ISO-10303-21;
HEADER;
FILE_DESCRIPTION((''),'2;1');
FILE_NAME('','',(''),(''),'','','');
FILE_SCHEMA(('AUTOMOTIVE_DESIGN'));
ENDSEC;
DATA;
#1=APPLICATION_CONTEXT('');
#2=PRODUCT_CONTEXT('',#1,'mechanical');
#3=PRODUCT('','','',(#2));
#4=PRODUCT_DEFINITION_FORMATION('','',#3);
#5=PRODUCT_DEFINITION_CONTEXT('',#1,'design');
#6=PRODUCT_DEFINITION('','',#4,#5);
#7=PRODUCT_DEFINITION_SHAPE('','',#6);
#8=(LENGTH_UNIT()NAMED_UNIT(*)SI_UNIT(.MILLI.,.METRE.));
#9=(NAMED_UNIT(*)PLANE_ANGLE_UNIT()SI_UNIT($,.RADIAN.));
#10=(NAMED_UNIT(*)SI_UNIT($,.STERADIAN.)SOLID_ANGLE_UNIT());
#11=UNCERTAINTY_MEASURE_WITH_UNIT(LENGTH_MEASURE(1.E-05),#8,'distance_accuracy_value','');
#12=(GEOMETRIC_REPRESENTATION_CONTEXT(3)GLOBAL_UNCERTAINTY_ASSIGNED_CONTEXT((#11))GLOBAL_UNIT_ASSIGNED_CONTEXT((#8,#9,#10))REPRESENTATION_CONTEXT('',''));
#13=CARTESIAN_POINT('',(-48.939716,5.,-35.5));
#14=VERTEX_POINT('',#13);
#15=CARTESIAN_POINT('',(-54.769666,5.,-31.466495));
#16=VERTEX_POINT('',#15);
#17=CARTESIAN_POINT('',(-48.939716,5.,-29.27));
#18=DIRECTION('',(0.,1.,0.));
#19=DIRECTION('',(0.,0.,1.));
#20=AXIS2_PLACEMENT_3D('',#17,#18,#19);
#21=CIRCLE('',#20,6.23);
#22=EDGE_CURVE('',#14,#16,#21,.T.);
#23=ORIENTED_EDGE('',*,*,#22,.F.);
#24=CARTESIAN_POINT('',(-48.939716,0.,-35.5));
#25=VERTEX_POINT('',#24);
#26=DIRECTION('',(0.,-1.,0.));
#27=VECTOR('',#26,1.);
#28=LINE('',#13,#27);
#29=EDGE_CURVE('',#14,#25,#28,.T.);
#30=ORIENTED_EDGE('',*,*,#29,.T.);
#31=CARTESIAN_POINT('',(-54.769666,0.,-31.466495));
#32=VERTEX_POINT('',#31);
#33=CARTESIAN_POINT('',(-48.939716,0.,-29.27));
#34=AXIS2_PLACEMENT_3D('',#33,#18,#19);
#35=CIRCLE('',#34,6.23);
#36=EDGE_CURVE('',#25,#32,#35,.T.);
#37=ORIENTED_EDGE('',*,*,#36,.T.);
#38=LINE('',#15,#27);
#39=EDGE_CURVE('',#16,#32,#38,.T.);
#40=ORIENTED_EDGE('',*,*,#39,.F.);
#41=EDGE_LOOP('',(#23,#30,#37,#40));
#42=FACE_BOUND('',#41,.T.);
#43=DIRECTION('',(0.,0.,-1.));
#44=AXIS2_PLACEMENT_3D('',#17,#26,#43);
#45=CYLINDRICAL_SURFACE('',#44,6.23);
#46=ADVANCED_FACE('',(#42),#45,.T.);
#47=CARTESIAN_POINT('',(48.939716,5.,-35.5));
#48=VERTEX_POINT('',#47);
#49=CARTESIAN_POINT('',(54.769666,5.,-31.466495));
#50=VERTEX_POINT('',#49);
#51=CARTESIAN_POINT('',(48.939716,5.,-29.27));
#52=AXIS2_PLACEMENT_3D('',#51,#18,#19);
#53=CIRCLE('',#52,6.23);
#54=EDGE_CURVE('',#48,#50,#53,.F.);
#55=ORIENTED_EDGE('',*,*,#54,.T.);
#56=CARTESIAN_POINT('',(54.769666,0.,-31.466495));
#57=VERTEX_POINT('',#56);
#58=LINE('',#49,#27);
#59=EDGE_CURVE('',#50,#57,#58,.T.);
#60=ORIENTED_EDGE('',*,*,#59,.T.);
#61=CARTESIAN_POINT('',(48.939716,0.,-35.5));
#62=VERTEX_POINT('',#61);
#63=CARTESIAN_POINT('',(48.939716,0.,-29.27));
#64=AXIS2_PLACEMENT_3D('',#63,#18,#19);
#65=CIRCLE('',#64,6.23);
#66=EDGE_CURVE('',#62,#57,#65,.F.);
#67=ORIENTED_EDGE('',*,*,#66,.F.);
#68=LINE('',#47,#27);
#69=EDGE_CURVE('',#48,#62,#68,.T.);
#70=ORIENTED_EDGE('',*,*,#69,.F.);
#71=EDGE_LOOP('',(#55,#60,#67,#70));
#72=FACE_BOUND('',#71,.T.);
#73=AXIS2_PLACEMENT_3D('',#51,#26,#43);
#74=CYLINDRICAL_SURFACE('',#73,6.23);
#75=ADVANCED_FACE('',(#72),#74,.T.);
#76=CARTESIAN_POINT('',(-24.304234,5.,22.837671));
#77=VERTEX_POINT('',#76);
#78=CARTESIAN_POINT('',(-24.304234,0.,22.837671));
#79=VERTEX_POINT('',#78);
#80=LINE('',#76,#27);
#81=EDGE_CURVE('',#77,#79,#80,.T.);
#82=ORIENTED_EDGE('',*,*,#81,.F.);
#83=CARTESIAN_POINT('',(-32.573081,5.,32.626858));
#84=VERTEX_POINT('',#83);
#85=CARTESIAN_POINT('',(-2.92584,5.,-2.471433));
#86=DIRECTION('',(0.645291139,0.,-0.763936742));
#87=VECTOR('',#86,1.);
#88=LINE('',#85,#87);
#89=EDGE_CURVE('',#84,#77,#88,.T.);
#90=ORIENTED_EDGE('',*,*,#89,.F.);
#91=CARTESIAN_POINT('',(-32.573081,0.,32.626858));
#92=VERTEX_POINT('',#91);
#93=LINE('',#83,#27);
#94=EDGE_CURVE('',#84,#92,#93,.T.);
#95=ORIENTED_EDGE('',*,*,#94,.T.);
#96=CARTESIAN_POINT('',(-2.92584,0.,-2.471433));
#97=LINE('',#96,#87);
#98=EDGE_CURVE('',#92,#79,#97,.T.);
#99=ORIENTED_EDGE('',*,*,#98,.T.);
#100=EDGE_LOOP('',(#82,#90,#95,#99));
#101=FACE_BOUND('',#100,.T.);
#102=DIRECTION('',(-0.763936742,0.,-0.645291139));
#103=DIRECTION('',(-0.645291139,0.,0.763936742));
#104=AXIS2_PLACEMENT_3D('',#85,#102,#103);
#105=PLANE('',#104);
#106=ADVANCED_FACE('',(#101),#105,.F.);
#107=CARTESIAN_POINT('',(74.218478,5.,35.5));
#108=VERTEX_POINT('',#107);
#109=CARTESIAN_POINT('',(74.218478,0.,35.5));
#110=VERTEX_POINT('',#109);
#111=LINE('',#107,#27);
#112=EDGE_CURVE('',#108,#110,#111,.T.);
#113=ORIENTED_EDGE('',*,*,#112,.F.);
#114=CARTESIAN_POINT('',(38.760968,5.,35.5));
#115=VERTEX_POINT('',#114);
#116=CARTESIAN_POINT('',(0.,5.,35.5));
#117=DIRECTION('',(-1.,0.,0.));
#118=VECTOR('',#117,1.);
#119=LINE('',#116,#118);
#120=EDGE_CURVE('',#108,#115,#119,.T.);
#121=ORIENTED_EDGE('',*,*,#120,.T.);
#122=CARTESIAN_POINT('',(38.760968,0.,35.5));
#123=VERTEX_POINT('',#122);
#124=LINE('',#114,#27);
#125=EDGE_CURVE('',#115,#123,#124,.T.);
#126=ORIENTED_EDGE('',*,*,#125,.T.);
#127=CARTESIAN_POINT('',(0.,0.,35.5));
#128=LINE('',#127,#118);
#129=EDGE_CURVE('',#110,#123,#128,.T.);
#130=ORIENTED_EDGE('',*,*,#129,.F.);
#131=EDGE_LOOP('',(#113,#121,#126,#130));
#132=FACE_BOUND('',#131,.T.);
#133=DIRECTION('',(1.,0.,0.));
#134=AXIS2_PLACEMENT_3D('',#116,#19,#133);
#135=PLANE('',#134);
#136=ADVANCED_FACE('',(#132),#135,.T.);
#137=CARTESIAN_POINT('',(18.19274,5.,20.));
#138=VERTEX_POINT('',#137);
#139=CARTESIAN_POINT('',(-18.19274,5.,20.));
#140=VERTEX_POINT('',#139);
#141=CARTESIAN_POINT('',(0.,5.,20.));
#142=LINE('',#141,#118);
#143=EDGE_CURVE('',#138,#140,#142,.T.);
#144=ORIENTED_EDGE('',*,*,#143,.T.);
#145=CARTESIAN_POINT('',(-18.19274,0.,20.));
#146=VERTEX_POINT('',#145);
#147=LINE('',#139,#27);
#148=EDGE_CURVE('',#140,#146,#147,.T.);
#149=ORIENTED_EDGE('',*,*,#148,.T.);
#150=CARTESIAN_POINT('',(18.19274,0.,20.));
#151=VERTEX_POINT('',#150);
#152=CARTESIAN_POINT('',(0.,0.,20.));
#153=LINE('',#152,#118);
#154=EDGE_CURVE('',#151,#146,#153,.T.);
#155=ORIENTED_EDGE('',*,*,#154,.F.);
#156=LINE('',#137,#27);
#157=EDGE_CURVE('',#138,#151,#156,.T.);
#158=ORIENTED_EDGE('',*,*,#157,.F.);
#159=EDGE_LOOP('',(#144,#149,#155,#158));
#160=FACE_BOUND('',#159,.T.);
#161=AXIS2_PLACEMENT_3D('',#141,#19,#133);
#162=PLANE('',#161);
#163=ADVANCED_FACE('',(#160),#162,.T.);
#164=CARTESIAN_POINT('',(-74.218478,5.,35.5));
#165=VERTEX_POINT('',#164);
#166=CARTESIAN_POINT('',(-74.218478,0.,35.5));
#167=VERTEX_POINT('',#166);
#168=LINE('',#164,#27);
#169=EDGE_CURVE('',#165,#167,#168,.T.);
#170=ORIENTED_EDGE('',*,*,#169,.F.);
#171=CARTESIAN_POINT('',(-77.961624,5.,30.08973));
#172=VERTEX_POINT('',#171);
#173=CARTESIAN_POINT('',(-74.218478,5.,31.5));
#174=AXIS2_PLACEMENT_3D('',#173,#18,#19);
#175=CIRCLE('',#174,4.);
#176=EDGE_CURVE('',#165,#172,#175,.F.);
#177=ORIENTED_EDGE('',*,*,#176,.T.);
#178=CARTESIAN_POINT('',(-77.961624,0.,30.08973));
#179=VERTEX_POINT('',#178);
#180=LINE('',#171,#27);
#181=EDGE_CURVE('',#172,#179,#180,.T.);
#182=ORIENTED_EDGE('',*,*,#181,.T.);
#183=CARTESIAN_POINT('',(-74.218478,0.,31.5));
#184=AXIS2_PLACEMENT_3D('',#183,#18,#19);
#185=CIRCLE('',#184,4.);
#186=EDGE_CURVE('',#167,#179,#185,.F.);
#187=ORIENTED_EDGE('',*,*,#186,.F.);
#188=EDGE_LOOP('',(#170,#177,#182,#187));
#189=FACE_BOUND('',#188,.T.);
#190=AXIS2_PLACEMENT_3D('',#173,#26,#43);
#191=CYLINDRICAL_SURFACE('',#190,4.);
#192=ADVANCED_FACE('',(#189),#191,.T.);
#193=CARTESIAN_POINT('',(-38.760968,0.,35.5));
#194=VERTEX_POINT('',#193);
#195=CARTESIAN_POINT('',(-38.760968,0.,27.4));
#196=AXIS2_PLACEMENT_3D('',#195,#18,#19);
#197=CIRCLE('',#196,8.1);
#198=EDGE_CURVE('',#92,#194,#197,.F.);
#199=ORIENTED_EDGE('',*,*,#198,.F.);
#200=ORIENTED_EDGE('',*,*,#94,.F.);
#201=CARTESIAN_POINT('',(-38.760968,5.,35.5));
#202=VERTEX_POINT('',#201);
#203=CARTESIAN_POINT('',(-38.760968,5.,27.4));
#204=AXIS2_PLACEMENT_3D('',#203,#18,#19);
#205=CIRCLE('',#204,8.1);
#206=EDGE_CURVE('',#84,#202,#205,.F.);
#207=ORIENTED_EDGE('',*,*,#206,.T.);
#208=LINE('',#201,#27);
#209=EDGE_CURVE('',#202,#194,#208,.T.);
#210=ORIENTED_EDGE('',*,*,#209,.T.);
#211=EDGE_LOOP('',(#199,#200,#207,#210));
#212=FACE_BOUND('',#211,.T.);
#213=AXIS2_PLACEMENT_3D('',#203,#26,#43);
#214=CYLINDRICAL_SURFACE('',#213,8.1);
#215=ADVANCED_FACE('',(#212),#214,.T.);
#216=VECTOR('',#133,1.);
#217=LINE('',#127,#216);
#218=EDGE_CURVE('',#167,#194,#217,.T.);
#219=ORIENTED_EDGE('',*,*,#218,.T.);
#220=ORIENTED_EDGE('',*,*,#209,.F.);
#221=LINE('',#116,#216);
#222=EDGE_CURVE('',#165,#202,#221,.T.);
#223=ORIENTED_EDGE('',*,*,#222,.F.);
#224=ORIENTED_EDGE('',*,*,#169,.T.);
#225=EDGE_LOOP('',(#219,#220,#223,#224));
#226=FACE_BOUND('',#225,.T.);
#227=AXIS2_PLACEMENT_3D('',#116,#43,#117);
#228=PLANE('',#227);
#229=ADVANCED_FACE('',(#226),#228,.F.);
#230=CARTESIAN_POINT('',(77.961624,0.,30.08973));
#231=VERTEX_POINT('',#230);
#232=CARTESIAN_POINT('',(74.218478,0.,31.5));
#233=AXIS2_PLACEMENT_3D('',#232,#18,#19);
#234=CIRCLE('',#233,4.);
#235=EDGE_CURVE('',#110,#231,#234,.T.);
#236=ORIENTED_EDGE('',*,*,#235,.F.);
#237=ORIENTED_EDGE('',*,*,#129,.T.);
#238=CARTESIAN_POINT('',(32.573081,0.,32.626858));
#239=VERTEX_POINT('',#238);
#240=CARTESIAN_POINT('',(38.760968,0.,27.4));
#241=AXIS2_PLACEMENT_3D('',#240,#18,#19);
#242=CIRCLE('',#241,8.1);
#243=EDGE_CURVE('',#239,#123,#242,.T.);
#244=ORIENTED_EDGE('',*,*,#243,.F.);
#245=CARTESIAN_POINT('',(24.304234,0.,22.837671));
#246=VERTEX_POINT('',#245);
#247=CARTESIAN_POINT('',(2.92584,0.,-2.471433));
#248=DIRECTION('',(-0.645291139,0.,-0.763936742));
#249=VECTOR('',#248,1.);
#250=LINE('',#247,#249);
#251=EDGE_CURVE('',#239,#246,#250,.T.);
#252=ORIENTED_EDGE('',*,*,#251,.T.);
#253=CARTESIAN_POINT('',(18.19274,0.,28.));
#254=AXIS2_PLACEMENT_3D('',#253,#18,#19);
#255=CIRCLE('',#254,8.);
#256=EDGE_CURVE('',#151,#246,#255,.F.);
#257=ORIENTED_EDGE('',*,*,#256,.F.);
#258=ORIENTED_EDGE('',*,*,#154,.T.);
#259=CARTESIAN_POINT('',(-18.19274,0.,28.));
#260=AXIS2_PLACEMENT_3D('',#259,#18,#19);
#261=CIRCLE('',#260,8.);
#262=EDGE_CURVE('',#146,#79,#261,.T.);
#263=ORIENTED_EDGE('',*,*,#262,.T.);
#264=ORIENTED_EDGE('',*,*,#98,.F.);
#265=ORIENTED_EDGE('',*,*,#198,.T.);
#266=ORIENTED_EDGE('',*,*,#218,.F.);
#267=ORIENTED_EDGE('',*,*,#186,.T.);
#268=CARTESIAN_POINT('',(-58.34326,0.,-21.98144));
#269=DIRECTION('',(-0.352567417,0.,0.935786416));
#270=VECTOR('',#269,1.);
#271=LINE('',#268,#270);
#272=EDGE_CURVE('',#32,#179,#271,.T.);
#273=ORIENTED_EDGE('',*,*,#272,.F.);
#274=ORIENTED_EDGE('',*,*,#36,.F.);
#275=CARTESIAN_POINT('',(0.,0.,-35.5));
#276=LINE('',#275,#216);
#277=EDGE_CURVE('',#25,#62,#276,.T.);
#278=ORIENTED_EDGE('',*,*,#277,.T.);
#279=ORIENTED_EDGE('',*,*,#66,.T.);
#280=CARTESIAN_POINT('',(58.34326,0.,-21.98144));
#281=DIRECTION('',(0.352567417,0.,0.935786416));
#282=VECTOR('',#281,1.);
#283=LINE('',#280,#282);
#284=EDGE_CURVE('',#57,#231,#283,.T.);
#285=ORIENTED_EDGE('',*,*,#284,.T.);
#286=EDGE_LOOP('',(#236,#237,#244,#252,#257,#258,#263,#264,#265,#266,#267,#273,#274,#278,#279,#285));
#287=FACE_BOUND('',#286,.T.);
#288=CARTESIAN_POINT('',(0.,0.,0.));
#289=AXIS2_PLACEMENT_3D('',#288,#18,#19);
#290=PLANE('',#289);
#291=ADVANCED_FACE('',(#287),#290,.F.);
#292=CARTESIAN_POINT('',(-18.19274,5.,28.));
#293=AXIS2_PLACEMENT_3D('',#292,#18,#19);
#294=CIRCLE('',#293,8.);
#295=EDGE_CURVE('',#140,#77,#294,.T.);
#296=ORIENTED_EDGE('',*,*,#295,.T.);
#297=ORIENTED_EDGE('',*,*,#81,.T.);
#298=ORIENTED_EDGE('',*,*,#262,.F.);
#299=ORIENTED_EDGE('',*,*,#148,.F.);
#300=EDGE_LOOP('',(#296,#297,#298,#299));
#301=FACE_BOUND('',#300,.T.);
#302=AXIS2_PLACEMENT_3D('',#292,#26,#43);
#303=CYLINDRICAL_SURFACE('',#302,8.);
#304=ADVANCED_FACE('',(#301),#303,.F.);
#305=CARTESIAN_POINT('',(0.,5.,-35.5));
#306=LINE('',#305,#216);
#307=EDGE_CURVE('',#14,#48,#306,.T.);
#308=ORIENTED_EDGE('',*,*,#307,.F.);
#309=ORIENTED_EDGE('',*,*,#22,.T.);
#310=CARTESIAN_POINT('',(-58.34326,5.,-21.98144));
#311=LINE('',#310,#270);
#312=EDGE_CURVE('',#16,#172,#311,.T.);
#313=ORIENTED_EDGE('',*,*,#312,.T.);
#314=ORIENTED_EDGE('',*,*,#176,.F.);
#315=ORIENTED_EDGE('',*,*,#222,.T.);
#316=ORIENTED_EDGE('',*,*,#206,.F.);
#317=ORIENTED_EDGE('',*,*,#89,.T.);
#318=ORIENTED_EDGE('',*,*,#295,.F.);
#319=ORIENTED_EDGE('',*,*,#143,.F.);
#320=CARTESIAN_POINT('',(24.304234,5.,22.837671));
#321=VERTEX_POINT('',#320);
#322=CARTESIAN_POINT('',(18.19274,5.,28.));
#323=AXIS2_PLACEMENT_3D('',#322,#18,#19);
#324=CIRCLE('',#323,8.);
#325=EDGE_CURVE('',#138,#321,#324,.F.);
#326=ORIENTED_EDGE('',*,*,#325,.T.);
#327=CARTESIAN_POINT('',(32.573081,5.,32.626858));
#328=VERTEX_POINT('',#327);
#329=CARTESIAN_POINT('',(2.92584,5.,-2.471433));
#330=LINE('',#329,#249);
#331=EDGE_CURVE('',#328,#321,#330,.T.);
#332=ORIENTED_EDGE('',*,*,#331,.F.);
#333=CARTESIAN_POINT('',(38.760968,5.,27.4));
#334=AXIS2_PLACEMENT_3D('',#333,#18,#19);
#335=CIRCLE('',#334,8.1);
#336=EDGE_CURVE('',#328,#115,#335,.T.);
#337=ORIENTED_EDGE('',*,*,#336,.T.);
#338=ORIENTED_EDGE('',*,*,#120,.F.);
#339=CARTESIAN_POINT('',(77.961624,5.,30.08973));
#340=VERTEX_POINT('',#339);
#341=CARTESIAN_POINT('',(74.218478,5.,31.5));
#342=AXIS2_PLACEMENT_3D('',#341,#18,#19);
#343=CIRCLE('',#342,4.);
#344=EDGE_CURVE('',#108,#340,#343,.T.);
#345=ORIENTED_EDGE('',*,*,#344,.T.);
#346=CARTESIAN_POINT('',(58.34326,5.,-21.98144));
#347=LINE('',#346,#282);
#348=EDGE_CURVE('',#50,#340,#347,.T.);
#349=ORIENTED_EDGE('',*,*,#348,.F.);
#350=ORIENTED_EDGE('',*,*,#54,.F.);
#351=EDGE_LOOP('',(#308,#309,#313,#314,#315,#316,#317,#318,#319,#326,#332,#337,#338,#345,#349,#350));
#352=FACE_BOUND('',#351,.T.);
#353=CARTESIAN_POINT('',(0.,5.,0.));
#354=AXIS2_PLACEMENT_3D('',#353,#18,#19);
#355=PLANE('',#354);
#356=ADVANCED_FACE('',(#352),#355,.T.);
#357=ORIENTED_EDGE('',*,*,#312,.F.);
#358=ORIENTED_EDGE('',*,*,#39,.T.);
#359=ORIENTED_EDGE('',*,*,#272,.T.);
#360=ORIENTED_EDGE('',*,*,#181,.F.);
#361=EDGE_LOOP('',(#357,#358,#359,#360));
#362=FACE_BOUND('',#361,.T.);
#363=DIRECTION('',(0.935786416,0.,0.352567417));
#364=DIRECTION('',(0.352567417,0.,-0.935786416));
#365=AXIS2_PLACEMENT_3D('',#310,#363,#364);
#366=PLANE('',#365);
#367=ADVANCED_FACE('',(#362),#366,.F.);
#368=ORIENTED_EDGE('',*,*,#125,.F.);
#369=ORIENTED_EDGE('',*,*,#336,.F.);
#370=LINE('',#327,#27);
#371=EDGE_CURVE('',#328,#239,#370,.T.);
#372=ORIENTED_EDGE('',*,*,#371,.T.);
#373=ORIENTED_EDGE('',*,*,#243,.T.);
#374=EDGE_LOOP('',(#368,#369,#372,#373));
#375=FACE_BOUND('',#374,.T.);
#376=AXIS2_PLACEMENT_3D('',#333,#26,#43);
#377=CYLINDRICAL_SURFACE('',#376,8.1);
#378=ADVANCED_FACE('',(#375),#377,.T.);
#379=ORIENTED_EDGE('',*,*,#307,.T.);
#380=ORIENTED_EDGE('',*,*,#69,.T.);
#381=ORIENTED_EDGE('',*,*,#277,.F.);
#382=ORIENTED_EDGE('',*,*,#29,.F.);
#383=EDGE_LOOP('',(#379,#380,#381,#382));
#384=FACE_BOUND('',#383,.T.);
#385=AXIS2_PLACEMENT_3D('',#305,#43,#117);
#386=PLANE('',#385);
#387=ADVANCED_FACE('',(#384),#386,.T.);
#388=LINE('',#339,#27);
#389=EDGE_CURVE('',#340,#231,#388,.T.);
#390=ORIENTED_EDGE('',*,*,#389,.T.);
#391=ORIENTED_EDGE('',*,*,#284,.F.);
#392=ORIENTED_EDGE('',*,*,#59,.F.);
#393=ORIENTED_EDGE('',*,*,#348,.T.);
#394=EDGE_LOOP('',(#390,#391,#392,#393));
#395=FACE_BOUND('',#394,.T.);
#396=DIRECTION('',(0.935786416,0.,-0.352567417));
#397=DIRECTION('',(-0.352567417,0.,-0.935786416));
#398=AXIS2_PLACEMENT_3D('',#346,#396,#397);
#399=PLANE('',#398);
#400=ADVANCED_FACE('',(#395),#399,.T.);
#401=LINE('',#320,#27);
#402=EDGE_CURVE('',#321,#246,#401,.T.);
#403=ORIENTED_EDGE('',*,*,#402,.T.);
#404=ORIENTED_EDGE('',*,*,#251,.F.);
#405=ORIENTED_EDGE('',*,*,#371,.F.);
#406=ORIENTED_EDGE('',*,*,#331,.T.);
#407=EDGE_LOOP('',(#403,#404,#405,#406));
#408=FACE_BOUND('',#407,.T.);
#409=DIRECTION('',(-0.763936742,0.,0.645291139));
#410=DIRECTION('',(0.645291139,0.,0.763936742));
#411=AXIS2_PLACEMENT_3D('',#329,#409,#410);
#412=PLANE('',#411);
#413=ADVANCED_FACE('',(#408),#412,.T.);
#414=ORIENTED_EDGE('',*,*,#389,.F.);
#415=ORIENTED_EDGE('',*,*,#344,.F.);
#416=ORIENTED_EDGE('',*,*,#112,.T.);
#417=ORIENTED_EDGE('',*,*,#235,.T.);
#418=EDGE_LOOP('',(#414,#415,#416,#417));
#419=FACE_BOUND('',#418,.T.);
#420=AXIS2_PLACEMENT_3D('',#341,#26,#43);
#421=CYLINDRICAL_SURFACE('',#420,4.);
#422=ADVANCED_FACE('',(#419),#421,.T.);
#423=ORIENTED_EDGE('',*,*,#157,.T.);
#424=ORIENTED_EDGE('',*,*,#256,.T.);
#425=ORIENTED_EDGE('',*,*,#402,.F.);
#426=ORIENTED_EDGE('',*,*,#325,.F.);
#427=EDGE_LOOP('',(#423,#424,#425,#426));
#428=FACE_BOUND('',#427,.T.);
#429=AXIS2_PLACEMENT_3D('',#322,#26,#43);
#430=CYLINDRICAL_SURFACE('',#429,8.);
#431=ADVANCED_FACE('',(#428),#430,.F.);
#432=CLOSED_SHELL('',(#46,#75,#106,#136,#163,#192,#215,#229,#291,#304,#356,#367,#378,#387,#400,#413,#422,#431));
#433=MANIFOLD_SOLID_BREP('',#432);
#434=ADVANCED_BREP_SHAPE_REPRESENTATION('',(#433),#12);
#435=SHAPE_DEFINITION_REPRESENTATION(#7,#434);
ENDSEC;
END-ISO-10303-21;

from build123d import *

# Parameters (mm, degrees)
BOSS_EXTRUDE1_DEPTH = 5


with BuildPart() as part:
    # Sketch1 → Boss-Extrude1 (new body)
    with BuildSketch(Plane(origin=(0, 0, 0), x_dir=(1, 0, 0), z_dir=(0, 1, 0))):
        with BuildLine():
            Line((48.939716241, 35.5), (-48.939716241, 35.5))
            ThreePointArc((-48.939716241, 35.5), (-52.484341475, 34.393332114), (-54.769665613, 31.46649501))
            Line((-54.769665613, 31.46649501), (-77.961623751, -30.089730331))
            ThreePointArc((-77.961623751, -30.089730331), (-77.507936909, -33.775842846), (-74.218478088, -35.5))
            Line((-74.218478088, -35.5), (-38.760968174, -35.5))
            ThreePointArc((-38.760968174, -35.5), (-35.349777153, -34.746684682), (-32.573080563, -32.626858226))
            Line((-32.573080563, -32.626858226), (-24.304233813, -22.837670888))
            ThreePointArc((-24.304233813, -22.837670888), (-21.561817428, -20.744015129), (-18.192739876, -20))
            Line((-18.192739876, -20), (0, -20))
            Line((0, -20), (18.192739876, -20))
            ThreePointArc((18.192739876, -20), (21.561817428, -20.744015129), (24.304233813, -22.837670888))
            Line((24.304233813, -22.837670888), (32.573080563, -32.626858226))
            ThreePointArc((32.573080563, -32.626858226), (35.349777153, -34.746684682), (38.760968174, -35.5))
            Line((38.760968174, -35.5), (74.218478088, -35.5))
            ThreePointArc((74.218478088, -35.5), (77.507936909, -33.775842846), (77.961623751, -30.089730331))
            Line((77.961623751, -30.089730331), (54.769665613, 31.46649501))
            ThreePointArc((54.769665613, 31.46649501), (52.484341475, 34.393332114), (48.939716241, 35.5))
        make_face()
    extrude(amount=BOSS_EXTRUDE1_DEPTH)


solid = part.part
